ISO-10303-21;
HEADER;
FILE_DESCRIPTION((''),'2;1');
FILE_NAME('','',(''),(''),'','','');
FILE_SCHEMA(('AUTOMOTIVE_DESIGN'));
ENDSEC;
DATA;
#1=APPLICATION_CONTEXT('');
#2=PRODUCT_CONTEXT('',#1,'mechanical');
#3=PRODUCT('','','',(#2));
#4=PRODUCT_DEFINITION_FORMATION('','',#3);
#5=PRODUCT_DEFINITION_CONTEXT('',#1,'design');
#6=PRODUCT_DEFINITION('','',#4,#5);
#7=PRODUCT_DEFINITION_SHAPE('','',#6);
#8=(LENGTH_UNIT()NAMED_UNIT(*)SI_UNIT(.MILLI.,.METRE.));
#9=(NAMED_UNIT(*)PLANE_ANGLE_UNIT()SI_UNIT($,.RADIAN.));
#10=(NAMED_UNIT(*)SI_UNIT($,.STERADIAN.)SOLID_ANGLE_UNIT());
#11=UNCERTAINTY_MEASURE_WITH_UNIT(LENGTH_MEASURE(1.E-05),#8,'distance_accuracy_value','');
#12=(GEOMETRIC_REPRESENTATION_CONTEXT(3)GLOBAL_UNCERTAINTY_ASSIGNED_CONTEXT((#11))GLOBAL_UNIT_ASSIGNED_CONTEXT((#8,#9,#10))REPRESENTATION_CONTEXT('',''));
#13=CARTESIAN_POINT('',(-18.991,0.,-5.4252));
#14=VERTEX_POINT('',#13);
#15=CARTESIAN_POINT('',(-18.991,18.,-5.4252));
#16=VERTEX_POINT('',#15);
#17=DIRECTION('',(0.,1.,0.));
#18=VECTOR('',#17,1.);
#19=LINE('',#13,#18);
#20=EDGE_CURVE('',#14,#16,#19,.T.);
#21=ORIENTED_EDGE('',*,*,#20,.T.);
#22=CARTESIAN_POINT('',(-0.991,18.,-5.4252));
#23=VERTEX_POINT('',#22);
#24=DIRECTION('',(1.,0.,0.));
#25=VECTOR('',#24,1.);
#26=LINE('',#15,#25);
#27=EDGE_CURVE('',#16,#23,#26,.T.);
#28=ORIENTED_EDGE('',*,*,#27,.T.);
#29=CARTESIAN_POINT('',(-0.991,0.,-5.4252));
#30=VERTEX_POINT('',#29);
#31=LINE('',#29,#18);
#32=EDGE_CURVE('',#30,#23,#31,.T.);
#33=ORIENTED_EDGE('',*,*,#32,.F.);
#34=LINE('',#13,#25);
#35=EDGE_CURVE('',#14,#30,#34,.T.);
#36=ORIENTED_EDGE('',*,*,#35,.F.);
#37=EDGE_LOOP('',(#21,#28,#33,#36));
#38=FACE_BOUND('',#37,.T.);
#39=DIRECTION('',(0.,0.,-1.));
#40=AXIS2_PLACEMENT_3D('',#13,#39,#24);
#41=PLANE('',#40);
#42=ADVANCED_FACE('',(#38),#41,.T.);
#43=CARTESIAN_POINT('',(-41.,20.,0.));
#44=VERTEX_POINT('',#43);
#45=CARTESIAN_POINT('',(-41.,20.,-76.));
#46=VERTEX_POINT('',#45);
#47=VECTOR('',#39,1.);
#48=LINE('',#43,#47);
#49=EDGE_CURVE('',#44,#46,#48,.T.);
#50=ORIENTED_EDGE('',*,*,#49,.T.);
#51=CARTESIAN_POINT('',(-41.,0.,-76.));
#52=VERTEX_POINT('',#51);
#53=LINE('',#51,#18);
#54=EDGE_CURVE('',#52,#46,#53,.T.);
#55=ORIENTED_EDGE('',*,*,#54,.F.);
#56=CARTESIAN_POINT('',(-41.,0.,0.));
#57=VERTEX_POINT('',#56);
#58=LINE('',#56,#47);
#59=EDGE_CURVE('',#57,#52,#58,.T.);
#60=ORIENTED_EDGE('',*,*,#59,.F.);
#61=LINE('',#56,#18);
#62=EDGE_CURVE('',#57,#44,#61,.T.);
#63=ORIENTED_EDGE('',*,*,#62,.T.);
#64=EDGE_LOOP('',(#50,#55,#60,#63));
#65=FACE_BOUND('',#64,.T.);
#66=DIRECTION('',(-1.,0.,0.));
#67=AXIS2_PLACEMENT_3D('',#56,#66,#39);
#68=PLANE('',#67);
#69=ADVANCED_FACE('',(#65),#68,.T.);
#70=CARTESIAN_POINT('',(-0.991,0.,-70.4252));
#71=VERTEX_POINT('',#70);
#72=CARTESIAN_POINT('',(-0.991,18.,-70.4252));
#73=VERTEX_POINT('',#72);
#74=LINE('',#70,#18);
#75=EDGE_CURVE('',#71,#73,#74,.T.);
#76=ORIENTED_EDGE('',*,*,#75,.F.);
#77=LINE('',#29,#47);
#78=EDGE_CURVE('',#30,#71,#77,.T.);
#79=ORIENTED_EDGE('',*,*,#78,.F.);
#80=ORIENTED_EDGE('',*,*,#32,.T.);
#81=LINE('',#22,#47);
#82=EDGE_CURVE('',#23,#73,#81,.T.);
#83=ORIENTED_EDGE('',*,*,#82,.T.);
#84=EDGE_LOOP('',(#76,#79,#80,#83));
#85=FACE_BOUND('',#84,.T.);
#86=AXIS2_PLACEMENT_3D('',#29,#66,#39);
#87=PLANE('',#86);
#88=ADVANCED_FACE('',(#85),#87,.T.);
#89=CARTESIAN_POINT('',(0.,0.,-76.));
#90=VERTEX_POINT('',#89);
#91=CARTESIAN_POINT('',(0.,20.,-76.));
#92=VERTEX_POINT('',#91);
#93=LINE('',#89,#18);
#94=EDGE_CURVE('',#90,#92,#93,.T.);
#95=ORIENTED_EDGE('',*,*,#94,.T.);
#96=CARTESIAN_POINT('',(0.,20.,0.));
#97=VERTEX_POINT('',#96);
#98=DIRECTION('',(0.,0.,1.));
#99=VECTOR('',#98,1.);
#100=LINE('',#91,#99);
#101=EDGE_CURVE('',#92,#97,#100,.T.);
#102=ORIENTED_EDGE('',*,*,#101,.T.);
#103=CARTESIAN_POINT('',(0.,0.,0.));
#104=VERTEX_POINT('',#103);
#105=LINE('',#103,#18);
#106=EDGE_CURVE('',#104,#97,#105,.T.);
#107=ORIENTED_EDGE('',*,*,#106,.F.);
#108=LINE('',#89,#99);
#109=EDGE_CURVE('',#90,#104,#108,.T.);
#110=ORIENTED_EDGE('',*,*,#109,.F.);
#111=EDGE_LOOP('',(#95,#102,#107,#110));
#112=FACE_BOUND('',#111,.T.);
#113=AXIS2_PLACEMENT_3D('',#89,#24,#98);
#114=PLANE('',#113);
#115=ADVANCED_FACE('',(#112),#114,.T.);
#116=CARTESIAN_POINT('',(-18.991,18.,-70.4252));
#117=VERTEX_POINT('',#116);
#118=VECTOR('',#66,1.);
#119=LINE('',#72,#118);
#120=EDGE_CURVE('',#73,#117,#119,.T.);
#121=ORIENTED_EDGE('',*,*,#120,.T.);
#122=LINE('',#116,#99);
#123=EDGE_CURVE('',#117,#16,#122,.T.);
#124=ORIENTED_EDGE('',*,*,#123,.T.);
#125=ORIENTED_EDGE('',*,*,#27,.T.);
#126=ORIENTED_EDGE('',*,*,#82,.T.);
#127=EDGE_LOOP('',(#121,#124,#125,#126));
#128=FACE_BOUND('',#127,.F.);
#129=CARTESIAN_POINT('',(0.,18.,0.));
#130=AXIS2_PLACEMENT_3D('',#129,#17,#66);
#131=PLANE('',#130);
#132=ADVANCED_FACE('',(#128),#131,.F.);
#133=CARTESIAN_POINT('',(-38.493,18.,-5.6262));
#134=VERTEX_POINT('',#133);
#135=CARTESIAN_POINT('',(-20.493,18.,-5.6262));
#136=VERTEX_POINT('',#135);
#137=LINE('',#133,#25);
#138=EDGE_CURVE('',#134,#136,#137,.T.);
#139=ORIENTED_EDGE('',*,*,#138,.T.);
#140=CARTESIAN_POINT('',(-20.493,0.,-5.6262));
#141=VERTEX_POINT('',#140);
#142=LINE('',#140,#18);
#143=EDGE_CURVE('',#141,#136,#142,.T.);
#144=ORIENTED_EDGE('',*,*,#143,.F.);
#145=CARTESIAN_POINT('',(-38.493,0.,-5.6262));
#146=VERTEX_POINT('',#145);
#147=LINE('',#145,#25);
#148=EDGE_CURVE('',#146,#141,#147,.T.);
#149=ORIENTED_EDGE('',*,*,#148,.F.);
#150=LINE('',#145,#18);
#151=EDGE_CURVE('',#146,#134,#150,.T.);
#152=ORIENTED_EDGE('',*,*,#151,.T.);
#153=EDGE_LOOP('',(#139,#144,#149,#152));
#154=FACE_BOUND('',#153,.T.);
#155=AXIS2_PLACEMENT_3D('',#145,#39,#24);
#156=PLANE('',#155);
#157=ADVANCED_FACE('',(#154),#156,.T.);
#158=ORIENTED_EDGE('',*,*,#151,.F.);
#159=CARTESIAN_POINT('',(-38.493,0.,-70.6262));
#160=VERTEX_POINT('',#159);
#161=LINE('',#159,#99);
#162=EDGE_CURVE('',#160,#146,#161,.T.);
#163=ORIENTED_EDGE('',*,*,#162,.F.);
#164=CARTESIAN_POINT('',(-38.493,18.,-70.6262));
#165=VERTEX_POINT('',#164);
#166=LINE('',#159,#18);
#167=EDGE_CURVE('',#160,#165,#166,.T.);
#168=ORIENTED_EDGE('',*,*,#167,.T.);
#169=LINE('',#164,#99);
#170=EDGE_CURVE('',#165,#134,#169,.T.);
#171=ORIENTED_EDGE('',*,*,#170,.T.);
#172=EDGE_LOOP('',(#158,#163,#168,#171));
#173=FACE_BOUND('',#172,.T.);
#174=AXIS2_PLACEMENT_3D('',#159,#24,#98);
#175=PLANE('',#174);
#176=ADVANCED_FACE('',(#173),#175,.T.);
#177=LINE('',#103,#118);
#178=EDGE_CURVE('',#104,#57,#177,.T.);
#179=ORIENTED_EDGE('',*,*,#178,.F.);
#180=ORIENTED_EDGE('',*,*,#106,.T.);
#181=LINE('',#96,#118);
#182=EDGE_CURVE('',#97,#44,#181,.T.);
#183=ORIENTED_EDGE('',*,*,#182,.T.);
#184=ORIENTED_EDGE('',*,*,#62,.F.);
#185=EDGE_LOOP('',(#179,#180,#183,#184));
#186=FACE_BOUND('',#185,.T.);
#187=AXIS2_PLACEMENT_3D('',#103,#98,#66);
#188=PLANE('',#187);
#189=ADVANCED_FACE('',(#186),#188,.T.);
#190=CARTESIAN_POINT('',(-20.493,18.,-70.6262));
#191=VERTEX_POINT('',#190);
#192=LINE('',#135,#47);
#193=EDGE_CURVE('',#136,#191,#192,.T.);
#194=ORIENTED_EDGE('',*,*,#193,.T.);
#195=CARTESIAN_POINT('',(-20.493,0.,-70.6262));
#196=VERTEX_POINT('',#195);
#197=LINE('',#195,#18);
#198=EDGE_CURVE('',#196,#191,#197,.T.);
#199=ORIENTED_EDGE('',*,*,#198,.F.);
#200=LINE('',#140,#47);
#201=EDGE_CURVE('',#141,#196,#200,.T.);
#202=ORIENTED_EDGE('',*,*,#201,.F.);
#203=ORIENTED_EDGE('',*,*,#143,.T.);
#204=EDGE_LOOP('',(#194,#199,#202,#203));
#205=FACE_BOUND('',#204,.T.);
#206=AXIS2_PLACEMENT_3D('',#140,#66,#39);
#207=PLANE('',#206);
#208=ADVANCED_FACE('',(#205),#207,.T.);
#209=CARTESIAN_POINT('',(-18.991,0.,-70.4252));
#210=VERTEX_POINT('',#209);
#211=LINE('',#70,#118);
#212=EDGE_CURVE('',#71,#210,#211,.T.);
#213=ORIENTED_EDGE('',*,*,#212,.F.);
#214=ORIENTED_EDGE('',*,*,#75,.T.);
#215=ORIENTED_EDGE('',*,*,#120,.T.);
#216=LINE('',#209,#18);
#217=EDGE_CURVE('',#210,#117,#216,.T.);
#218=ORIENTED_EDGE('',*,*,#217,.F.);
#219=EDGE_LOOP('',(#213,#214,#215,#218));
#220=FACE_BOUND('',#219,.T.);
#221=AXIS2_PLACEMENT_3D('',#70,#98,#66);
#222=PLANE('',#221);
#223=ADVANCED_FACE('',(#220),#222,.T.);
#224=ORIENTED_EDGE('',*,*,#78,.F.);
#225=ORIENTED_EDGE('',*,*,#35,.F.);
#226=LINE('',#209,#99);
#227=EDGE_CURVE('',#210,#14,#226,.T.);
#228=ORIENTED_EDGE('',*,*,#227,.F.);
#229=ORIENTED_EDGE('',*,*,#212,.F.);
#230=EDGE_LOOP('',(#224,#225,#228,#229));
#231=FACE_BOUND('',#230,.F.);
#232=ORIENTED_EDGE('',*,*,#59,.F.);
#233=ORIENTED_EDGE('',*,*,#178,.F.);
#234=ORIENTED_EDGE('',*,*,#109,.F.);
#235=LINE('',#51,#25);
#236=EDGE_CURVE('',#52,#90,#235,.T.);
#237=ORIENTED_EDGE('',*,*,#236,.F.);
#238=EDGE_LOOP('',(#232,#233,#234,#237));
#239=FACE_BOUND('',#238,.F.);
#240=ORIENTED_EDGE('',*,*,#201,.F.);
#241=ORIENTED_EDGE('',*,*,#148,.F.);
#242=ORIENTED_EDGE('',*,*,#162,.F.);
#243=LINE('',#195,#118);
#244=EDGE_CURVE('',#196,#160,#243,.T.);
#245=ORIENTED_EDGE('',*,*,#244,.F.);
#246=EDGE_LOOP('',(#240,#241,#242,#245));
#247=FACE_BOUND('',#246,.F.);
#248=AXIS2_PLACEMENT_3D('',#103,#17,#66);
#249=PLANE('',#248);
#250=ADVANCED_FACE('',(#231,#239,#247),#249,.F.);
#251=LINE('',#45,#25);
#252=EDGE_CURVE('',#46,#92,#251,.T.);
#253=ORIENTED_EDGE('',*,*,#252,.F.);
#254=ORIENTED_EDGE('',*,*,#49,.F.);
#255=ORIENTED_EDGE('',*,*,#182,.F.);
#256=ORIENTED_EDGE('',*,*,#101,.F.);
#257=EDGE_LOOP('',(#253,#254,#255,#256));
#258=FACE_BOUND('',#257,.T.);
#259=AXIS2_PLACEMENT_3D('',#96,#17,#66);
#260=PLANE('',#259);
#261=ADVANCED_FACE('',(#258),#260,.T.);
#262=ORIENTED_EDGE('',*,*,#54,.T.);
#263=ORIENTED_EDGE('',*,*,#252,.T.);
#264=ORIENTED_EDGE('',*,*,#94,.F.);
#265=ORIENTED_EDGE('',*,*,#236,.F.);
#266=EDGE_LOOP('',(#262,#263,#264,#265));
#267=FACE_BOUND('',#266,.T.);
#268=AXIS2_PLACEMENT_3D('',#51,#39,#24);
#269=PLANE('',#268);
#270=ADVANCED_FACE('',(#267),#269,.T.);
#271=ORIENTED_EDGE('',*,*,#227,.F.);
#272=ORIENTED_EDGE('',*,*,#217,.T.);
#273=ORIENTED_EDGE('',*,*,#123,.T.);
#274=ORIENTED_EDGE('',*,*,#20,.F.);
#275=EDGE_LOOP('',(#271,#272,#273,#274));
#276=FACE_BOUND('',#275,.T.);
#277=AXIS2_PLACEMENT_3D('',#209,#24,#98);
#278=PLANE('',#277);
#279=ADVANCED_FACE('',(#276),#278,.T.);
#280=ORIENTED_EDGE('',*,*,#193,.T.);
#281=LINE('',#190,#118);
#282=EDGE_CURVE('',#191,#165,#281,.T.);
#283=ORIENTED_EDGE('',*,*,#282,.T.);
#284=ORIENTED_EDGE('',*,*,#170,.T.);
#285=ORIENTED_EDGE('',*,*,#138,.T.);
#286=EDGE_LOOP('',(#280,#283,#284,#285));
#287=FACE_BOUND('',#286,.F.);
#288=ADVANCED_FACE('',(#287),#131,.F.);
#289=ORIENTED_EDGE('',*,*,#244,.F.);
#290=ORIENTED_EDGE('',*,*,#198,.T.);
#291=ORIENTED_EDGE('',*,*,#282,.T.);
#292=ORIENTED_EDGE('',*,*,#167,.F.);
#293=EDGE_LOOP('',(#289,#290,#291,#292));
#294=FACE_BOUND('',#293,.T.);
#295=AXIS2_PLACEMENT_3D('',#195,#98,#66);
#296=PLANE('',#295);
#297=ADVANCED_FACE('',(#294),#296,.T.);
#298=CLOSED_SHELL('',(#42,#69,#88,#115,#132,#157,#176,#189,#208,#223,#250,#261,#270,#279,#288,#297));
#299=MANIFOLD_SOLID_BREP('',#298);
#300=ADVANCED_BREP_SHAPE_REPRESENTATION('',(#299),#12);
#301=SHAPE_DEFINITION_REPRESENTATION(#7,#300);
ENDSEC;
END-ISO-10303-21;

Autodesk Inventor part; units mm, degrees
ref_plane "YZ Plane" through (0, 0, 0) normal (1, 0, 0) x (0, 1, 0)
ref_plane "XZ Plane" through (0, 0, 0) normal (0, 1, 0) x (-1, 0, 0)
ref_plane "XY Plane" through (0, 0, 0) normal (0, 0, 1) x (1, 0, 0)
sketch "Эскиз1" plane through (0, 0, 0) normal (0, 1, 0) x (-1, 0, 0)
  line L0 (0, 0) -> (41, 0)
  line L1 (41, 0) -> (41, -76)
  line L2 (41, -76) -> (0, -76)
  line L3 (0, -76) -> (0, 0)
  line L4 (38.493, -5.6262) -> (20.493, -5.6262)
  line L5 (20.493, -5.6262) -> (20.493, -70.6262)
  line L6 (20.493, -70.6262) -> (38.493, -70.6262)
  line L7 (38.493, -70.6262) -> (38.493, -5.6262)
  line L8 (18.991, -5.4252) -> (0.991, -5.4252)
  line L9 (0.991, -5.4252) -> (0.991, -70.4252)
  line L10 (0.991, -70.4252) -> (18.991, -70.4252)
  line L11 (18.991, -70.4252) -> (18.991, -5.4252)
  dimension "d0" = 41
  dimension "d1" = 76
  dimension "d2" = 18
  dimension "d3" = 65
  dimension "d4" = 18
  dimension "d5" = 65
extrude "Выдавливание1" add sketch "Эскиз1" along normal blind 20 contours L0 L1 L2 L3 | L7 L6 L5 L4 | L11 L10 L9 L8
extrude "Выдавливание2" cut sketch "Эскиз1" along normal blind 18 contours L7 L6 L5 L4 | L11 L10 L9 L8
properties part number "Battery_Holder"
